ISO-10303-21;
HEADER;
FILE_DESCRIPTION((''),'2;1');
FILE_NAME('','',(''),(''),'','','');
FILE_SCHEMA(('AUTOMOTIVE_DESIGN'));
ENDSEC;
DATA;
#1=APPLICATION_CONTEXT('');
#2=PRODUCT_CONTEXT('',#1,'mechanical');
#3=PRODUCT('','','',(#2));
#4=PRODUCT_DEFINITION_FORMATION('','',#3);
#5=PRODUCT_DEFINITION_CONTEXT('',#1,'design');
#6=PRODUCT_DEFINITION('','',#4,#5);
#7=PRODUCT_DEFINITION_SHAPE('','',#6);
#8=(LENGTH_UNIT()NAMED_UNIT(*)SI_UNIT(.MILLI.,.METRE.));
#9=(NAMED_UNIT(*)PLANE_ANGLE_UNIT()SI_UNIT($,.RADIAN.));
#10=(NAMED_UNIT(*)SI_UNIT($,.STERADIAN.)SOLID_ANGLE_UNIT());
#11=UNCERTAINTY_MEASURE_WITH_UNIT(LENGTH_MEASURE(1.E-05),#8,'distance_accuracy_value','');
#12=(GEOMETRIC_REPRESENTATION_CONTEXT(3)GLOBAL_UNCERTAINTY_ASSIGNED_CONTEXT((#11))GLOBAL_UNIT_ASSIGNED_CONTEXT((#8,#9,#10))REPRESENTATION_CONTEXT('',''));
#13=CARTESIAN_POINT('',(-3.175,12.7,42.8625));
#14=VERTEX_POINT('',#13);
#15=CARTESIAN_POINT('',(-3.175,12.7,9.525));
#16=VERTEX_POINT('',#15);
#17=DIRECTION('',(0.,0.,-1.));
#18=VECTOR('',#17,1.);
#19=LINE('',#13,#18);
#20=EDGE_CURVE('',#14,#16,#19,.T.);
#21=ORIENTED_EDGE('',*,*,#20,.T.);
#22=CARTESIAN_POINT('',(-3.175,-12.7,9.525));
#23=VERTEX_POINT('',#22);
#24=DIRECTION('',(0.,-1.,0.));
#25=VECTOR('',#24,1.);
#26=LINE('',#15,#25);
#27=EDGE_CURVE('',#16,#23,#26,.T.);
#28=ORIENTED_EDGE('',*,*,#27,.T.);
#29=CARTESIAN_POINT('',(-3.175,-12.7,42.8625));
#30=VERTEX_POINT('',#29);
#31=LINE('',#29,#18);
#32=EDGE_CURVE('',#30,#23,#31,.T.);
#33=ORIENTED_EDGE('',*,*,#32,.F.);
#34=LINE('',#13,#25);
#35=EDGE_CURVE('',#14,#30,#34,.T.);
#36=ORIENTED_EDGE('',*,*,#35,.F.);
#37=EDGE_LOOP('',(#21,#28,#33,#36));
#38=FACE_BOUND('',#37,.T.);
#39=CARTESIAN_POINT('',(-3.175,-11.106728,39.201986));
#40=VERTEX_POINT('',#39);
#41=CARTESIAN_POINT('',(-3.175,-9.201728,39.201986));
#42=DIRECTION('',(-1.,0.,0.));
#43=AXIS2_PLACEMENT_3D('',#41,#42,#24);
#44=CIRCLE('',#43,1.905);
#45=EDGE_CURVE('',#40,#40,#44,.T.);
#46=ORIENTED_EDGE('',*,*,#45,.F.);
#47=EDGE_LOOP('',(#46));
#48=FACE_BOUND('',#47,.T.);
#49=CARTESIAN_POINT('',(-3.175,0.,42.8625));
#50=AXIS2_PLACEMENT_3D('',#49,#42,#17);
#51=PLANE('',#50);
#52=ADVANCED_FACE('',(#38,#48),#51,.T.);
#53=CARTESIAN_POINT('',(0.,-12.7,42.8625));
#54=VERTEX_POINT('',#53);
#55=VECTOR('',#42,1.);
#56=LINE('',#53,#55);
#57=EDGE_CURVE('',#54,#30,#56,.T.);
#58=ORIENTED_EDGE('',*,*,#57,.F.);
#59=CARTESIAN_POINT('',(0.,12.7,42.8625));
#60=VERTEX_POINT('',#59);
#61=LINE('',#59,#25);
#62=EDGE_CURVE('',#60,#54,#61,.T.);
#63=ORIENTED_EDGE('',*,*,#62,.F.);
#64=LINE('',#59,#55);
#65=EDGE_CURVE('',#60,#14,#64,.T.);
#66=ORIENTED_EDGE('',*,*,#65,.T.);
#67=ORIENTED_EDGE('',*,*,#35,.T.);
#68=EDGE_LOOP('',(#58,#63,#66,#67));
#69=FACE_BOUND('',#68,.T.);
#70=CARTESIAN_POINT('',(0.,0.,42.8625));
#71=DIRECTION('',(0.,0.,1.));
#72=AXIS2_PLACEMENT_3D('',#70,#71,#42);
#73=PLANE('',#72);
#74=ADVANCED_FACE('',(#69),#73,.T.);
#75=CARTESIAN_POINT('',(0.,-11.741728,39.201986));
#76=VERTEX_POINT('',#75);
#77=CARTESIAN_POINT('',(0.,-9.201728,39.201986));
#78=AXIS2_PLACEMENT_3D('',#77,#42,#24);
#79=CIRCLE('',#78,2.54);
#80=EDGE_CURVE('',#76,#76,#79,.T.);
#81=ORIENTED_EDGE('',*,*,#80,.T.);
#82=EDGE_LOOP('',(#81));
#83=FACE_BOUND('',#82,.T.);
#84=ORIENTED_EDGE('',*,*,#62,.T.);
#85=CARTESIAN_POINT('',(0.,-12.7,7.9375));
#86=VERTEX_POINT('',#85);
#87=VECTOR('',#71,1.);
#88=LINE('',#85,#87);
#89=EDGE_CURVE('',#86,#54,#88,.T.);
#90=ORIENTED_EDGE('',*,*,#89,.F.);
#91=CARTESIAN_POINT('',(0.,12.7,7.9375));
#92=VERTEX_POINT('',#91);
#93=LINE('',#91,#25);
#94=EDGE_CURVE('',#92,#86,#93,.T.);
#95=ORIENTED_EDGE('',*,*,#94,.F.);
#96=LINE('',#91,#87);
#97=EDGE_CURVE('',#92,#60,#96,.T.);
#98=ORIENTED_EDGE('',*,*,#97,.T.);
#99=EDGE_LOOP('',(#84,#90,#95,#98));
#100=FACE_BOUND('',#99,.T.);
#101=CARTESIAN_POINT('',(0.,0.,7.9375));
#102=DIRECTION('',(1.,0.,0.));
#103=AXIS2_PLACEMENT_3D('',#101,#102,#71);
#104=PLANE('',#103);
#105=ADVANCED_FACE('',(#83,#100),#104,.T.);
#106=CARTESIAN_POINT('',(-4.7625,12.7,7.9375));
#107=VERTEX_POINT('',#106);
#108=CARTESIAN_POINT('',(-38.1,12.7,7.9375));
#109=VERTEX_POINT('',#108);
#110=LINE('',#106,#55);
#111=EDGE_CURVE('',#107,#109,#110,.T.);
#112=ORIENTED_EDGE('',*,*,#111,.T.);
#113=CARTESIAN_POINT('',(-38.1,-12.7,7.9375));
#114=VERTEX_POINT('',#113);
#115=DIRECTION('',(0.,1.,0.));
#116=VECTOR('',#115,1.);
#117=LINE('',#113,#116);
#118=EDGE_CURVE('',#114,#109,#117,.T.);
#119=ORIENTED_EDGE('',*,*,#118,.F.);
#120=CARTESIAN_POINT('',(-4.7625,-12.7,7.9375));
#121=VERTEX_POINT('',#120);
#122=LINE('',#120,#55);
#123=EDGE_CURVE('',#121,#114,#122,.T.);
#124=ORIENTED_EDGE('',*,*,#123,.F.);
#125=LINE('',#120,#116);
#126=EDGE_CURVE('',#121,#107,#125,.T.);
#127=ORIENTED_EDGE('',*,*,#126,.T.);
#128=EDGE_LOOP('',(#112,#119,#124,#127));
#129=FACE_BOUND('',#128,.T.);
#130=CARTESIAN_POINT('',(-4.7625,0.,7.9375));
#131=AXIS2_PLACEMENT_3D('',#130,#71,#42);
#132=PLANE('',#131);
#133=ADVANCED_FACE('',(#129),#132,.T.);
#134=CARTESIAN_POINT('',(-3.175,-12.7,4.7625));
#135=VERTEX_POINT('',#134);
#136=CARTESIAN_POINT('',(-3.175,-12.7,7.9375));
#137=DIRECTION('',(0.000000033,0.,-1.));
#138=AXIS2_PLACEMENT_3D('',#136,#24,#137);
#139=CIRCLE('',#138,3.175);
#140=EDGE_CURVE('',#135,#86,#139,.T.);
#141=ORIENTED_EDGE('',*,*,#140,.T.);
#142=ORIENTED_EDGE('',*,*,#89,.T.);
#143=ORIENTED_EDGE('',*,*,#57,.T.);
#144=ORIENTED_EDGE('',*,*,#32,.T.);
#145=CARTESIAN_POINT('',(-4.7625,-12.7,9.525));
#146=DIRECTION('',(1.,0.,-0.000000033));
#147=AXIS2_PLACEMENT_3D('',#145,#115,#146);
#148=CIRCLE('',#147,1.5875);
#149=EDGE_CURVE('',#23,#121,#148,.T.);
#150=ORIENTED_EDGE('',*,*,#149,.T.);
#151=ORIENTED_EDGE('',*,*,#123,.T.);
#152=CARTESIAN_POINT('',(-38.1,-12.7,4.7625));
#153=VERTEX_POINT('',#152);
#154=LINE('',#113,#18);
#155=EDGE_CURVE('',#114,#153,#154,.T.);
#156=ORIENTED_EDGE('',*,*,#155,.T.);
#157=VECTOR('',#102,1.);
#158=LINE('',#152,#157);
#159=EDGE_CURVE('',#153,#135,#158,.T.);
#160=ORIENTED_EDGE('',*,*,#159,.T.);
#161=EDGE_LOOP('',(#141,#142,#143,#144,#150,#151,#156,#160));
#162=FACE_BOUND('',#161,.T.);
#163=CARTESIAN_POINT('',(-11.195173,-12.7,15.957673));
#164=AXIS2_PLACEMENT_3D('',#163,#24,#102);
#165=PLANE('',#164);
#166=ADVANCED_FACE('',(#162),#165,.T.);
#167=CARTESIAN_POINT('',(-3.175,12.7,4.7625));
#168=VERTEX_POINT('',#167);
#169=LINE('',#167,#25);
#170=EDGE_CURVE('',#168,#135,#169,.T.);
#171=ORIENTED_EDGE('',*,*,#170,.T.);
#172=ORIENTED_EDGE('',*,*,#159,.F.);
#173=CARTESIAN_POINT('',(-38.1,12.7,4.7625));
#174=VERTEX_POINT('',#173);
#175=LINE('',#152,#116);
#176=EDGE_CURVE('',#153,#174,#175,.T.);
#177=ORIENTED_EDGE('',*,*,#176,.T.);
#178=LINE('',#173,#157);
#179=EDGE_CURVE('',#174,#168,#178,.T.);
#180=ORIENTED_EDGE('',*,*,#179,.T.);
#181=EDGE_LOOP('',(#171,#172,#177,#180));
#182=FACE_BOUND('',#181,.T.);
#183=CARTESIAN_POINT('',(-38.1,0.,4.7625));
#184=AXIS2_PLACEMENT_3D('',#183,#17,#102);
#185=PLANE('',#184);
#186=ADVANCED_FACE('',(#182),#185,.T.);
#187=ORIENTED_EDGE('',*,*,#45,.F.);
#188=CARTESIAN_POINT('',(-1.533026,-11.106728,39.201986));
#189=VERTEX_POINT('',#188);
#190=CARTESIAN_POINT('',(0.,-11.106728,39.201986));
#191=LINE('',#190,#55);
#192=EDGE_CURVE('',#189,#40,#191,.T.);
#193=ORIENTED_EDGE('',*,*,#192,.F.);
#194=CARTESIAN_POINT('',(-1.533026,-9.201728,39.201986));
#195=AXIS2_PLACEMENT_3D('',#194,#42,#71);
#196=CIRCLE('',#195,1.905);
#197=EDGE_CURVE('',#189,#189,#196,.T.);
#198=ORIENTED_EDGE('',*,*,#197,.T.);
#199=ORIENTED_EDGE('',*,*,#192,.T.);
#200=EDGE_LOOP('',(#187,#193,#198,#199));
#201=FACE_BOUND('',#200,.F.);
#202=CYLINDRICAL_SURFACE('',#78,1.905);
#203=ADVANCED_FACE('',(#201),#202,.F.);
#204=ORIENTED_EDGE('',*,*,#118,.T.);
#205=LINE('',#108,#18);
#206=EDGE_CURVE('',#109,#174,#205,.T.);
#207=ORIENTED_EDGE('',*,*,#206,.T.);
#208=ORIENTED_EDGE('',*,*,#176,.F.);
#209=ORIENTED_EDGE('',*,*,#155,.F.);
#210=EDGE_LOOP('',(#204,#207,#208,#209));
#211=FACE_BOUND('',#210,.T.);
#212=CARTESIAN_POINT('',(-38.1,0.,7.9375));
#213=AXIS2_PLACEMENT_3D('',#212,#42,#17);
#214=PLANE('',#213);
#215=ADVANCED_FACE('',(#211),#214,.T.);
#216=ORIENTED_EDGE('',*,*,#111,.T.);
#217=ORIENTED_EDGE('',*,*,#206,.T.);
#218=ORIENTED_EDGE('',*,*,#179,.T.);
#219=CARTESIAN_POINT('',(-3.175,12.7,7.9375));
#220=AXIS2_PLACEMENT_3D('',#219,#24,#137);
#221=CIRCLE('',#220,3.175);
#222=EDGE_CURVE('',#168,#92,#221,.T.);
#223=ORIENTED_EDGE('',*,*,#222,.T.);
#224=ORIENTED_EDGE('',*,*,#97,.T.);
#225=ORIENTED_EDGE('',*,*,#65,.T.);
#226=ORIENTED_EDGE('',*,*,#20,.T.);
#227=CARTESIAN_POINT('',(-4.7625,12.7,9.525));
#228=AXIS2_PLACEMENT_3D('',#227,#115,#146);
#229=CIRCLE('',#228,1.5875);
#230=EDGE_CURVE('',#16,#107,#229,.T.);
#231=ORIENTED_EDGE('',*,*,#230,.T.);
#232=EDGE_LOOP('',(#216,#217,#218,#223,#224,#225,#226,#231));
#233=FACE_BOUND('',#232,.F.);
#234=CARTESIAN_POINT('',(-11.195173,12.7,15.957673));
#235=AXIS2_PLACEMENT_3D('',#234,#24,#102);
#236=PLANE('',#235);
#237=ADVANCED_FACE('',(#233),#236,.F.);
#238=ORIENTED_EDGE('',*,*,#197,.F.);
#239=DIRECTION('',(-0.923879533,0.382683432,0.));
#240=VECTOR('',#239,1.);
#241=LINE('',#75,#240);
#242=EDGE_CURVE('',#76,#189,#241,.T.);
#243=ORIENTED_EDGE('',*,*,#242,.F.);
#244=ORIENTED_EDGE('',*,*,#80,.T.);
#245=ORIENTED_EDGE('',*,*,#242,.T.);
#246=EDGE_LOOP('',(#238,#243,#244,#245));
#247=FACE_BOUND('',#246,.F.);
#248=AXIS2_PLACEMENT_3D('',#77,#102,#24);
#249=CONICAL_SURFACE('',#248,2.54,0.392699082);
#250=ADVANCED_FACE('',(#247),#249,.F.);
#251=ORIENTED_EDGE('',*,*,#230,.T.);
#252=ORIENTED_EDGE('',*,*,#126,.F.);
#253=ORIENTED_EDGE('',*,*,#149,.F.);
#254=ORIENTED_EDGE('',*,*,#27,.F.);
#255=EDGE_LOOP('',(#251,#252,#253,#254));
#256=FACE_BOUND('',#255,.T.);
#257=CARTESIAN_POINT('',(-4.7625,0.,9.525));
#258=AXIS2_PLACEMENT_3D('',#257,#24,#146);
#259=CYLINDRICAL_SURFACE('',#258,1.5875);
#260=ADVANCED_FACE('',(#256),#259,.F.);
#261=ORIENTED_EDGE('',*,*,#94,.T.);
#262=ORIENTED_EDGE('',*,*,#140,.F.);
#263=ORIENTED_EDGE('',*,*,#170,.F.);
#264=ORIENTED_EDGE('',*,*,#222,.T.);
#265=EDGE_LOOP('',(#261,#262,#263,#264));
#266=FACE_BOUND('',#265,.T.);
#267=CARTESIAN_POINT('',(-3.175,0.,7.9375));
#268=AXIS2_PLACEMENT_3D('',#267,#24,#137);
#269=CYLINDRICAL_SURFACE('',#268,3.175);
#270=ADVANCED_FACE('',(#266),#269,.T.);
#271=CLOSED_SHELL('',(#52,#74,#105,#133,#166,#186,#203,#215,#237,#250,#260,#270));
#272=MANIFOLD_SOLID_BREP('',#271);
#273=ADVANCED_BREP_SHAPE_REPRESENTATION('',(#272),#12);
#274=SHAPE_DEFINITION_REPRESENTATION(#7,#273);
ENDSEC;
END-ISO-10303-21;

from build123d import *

# Parameters (mm, degrees)
F1_DEPTH       = 12.7
F3_D           = 3.81
F3_CSINK_D     = 5.08
F3_CSINK_ANGLE = 45


with BuildPart() as f1:
    # F0 (on Front) → F1 (new body, symmetric)
    with BuildSketch(Plane.XZ):
        with BuildLine():
            Line((-38.1, 4.7625), (-3.175, 4.7625))
            ThreePointArc((-3.175, 4.7625), (-0.929936, 5.692436), (0, 7.9375))
            Line((0, 7.9375), (0, 42.8625))
            Line((0, 42.8625), (-3.175, 42.8625))
            Line((-3.175, 42.8625), (-3.175, 9.525))
            ThreePointArc((-3.175, 9.525), (-3.639968, 8.402468), (-4.7625, 7.9375))
            Line((-4.7625, 7.9375), (-38.1, 7.9375))
            Line((-38.1, 7.9375), (-38.1, 4.7625))
        make_face()
    extrude(amount=F1_DEPTH, both=True)

    # F3 (through all)
    with Locations(Plane.YZ):
        with Locations((-9.201728, 39.201986)):
            CounterSinkHole(F3_D / 2, F3_CSINK_D / 2, counter_sink_angle=F3_CSINK_ANGLE)


solid = f1.part
